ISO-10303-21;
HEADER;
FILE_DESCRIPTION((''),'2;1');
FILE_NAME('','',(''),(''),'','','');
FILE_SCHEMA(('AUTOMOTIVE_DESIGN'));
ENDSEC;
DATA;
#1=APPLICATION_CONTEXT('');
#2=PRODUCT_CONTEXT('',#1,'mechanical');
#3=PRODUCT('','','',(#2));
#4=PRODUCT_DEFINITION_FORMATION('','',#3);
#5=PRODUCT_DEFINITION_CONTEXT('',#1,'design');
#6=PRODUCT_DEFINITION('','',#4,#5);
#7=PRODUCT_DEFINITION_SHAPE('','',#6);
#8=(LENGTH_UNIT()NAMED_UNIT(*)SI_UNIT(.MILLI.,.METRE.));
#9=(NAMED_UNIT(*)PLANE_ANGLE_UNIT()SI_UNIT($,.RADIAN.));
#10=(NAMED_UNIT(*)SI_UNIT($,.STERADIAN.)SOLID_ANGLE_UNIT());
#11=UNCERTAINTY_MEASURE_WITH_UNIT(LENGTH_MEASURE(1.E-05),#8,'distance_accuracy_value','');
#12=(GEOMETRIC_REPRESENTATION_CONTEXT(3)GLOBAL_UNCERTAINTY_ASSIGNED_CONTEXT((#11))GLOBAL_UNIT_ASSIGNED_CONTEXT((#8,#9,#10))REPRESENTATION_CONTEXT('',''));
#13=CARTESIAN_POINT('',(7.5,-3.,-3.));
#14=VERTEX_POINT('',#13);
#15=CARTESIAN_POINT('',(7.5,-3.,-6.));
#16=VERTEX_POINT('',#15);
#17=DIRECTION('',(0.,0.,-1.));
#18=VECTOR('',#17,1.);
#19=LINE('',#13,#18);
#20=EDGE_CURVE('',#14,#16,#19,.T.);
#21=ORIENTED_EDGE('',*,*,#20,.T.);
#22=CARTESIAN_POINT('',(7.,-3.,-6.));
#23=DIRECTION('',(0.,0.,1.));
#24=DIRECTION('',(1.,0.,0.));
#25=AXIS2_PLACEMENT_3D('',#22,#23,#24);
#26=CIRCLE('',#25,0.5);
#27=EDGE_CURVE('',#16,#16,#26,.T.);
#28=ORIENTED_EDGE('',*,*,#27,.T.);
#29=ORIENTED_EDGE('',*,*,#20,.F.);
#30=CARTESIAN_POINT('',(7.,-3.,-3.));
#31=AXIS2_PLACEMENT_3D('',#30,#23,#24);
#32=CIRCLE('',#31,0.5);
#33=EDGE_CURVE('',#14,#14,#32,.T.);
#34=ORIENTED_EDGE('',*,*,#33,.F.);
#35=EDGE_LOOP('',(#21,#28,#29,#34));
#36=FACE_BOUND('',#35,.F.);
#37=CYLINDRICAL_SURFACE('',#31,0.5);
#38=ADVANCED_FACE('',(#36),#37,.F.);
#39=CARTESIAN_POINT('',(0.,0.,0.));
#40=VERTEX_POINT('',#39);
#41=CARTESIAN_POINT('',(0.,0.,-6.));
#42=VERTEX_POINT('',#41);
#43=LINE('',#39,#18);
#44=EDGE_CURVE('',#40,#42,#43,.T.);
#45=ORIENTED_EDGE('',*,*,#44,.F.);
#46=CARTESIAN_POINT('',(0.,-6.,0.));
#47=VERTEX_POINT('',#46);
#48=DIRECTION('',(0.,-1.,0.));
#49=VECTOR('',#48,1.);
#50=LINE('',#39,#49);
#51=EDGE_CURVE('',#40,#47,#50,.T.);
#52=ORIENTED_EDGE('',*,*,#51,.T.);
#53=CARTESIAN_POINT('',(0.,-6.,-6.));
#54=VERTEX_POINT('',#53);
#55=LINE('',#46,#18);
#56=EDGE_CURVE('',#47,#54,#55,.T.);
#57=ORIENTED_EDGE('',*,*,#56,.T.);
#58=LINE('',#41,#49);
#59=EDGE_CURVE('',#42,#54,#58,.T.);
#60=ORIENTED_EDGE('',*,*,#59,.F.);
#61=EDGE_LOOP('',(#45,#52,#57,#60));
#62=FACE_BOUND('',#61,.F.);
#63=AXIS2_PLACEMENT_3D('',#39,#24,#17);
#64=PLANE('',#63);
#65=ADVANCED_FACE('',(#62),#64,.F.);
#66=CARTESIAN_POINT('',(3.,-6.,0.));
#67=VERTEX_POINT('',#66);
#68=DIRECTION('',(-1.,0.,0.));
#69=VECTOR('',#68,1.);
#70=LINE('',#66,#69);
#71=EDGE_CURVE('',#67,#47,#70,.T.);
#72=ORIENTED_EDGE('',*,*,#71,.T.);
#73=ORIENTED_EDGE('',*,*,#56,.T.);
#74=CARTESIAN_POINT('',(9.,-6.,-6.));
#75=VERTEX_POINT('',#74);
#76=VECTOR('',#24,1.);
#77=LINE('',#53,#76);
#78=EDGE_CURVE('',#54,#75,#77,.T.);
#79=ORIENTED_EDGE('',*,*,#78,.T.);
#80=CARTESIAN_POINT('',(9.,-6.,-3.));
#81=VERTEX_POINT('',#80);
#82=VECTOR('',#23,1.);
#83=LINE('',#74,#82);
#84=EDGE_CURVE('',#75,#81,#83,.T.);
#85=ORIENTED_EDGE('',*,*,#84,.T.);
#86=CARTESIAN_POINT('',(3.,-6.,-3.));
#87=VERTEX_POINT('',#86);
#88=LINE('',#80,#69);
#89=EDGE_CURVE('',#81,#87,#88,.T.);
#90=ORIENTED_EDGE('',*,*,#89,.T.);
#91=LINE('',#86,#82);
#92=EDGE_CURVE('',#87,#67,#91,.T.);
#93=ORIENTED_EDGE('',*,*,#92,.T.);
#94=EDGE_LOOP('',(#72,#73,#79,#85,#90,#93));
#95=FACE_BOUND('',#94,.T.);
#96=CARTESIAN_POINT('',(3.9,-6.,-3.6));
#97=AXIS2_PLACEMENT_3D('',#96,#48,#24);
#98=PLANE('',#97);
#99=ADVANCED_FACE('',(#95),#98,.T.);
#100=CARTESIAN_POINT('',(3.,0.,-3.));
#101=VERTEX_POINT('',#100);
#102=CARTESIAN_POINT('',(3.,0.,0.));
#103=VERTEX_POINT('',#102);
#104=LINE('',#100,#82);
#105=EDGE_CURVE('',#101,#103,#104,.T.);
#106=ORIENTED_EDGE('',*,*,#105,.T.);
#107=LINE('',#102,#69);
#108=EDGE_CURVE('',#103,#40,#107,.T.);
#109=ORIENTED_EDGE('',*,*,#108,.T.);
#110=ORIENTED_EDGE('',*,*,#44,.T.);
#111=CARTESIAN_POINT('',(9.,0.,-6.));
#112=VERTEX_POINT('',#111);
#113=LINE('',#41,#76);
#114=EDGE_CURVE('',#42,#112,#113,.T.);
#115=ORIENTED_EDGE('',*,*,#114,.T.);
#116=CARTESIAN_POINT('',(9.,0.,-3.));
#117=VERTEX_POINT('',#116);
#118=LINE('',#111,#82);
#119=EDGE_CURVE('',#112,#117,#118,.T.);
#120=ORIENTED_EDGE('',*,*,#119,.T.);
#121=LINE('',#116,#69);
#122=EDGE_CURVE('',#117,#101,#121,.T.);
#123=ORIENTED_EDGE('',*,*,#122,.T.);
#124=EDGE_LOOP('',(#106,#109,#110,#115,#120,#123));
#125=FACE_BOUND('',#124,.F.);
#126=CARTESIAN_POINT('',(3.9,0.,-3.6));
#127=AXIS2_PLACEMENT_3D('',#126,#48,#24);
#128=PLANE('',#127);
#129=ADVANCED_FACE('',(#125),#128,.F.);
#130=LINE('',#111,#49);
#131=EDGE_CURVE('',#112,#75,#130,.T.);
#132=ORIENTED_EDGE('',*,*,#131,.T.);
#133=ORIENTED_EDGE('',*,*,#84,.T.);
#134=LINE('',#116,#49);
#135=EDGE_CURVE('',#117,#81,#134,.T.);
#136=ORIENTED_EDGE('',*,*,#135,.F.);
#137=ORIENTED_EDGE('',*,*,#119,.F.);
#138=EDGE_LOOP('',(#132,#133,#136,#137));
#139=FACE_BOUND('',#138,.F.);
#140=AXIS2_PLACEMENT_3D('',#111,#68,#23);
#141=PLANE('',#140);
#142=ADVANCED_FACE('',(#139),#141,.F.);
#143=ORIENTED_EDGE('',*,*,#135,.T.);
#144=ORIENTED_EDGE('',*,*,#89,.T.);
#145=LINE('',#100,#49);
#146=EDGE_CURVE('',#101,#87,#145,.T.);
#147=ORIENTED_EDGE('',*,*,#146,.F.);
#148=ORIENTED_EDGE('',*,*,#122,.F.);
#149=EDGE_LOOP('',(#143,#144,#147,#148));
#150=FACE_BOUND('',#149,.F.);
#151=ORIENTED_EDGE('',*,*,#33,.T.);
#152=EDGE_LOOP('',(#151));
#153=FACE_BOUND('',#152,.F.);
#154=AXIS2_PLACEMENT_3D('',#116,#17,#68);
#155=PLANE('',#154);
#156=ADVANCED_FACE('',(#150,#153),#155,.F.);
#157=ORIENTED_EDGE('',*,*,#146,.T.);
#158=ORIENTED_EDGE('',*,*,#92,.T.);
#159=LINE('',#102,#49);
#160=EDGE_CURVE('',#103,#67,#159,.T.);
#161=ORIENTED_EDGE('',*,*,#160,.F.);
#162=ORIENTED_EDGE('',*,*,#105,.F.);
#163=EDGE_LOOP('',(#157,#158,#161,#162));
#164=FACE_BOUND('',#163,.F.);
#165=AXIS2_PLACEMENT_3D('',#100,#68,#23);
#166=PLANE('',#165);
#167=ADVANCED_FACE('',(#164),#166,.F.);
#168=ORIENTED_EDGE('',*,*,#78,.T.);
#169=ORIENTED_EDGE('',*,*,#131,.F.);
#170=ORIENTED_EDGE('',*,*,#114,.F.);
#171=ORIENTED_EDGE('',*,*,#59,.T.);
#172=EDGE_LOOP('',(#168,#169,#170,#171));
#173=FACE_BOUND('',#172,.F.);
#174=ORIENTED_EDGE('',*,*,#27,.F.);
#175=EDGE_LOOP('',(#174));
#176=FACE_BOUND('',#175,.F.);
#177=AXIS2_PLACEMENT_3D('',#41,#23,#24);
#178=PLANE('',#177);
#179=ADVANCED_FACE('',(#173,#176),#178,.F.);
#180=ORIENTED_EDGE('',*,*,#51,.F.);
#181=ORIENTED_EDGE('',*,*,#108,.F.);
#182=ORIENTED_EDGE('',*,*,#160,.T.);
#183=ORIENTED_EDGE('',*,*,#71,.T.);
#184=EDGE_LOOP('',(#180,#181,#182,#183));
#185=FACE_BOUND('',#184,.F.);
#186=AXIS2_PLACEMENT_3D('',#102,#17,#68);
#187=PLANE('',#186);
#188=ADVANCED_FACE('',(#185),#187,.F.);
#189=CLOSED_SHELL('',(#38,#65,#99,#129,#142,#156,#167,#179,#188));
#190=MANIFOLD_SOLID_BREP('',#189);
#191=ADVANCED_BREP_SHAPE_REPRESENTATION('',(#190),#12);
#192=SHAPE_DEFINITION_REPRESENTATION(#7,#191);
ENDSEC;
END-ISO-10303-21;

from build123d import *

# Parameters (mm, degrees)
F1_DEPTH = 6
F2_R     = 0.5
F3_DEPTH = 3.001


with BuildPart() as f1:
    # F0 (on Front) → F1 (new body)
    with BuildSketch(Plane.XZ):
        Polygon((3, 0), (0, 0), (0, -6), (9, -6), (9, -3), (3, -3), align=None)
    extrude(amount=F1_DEPTH)

    # F2 (on face) → F3 (cut, through all)
    with BuildSketch(Plane.XY.offset(-3)):
        with Locations((7, -3)):
            Circle(F2_R)
    extrude(amount=-F3_DEPTH, mode=Mode.SUBTRACT)


solid = f1.part
